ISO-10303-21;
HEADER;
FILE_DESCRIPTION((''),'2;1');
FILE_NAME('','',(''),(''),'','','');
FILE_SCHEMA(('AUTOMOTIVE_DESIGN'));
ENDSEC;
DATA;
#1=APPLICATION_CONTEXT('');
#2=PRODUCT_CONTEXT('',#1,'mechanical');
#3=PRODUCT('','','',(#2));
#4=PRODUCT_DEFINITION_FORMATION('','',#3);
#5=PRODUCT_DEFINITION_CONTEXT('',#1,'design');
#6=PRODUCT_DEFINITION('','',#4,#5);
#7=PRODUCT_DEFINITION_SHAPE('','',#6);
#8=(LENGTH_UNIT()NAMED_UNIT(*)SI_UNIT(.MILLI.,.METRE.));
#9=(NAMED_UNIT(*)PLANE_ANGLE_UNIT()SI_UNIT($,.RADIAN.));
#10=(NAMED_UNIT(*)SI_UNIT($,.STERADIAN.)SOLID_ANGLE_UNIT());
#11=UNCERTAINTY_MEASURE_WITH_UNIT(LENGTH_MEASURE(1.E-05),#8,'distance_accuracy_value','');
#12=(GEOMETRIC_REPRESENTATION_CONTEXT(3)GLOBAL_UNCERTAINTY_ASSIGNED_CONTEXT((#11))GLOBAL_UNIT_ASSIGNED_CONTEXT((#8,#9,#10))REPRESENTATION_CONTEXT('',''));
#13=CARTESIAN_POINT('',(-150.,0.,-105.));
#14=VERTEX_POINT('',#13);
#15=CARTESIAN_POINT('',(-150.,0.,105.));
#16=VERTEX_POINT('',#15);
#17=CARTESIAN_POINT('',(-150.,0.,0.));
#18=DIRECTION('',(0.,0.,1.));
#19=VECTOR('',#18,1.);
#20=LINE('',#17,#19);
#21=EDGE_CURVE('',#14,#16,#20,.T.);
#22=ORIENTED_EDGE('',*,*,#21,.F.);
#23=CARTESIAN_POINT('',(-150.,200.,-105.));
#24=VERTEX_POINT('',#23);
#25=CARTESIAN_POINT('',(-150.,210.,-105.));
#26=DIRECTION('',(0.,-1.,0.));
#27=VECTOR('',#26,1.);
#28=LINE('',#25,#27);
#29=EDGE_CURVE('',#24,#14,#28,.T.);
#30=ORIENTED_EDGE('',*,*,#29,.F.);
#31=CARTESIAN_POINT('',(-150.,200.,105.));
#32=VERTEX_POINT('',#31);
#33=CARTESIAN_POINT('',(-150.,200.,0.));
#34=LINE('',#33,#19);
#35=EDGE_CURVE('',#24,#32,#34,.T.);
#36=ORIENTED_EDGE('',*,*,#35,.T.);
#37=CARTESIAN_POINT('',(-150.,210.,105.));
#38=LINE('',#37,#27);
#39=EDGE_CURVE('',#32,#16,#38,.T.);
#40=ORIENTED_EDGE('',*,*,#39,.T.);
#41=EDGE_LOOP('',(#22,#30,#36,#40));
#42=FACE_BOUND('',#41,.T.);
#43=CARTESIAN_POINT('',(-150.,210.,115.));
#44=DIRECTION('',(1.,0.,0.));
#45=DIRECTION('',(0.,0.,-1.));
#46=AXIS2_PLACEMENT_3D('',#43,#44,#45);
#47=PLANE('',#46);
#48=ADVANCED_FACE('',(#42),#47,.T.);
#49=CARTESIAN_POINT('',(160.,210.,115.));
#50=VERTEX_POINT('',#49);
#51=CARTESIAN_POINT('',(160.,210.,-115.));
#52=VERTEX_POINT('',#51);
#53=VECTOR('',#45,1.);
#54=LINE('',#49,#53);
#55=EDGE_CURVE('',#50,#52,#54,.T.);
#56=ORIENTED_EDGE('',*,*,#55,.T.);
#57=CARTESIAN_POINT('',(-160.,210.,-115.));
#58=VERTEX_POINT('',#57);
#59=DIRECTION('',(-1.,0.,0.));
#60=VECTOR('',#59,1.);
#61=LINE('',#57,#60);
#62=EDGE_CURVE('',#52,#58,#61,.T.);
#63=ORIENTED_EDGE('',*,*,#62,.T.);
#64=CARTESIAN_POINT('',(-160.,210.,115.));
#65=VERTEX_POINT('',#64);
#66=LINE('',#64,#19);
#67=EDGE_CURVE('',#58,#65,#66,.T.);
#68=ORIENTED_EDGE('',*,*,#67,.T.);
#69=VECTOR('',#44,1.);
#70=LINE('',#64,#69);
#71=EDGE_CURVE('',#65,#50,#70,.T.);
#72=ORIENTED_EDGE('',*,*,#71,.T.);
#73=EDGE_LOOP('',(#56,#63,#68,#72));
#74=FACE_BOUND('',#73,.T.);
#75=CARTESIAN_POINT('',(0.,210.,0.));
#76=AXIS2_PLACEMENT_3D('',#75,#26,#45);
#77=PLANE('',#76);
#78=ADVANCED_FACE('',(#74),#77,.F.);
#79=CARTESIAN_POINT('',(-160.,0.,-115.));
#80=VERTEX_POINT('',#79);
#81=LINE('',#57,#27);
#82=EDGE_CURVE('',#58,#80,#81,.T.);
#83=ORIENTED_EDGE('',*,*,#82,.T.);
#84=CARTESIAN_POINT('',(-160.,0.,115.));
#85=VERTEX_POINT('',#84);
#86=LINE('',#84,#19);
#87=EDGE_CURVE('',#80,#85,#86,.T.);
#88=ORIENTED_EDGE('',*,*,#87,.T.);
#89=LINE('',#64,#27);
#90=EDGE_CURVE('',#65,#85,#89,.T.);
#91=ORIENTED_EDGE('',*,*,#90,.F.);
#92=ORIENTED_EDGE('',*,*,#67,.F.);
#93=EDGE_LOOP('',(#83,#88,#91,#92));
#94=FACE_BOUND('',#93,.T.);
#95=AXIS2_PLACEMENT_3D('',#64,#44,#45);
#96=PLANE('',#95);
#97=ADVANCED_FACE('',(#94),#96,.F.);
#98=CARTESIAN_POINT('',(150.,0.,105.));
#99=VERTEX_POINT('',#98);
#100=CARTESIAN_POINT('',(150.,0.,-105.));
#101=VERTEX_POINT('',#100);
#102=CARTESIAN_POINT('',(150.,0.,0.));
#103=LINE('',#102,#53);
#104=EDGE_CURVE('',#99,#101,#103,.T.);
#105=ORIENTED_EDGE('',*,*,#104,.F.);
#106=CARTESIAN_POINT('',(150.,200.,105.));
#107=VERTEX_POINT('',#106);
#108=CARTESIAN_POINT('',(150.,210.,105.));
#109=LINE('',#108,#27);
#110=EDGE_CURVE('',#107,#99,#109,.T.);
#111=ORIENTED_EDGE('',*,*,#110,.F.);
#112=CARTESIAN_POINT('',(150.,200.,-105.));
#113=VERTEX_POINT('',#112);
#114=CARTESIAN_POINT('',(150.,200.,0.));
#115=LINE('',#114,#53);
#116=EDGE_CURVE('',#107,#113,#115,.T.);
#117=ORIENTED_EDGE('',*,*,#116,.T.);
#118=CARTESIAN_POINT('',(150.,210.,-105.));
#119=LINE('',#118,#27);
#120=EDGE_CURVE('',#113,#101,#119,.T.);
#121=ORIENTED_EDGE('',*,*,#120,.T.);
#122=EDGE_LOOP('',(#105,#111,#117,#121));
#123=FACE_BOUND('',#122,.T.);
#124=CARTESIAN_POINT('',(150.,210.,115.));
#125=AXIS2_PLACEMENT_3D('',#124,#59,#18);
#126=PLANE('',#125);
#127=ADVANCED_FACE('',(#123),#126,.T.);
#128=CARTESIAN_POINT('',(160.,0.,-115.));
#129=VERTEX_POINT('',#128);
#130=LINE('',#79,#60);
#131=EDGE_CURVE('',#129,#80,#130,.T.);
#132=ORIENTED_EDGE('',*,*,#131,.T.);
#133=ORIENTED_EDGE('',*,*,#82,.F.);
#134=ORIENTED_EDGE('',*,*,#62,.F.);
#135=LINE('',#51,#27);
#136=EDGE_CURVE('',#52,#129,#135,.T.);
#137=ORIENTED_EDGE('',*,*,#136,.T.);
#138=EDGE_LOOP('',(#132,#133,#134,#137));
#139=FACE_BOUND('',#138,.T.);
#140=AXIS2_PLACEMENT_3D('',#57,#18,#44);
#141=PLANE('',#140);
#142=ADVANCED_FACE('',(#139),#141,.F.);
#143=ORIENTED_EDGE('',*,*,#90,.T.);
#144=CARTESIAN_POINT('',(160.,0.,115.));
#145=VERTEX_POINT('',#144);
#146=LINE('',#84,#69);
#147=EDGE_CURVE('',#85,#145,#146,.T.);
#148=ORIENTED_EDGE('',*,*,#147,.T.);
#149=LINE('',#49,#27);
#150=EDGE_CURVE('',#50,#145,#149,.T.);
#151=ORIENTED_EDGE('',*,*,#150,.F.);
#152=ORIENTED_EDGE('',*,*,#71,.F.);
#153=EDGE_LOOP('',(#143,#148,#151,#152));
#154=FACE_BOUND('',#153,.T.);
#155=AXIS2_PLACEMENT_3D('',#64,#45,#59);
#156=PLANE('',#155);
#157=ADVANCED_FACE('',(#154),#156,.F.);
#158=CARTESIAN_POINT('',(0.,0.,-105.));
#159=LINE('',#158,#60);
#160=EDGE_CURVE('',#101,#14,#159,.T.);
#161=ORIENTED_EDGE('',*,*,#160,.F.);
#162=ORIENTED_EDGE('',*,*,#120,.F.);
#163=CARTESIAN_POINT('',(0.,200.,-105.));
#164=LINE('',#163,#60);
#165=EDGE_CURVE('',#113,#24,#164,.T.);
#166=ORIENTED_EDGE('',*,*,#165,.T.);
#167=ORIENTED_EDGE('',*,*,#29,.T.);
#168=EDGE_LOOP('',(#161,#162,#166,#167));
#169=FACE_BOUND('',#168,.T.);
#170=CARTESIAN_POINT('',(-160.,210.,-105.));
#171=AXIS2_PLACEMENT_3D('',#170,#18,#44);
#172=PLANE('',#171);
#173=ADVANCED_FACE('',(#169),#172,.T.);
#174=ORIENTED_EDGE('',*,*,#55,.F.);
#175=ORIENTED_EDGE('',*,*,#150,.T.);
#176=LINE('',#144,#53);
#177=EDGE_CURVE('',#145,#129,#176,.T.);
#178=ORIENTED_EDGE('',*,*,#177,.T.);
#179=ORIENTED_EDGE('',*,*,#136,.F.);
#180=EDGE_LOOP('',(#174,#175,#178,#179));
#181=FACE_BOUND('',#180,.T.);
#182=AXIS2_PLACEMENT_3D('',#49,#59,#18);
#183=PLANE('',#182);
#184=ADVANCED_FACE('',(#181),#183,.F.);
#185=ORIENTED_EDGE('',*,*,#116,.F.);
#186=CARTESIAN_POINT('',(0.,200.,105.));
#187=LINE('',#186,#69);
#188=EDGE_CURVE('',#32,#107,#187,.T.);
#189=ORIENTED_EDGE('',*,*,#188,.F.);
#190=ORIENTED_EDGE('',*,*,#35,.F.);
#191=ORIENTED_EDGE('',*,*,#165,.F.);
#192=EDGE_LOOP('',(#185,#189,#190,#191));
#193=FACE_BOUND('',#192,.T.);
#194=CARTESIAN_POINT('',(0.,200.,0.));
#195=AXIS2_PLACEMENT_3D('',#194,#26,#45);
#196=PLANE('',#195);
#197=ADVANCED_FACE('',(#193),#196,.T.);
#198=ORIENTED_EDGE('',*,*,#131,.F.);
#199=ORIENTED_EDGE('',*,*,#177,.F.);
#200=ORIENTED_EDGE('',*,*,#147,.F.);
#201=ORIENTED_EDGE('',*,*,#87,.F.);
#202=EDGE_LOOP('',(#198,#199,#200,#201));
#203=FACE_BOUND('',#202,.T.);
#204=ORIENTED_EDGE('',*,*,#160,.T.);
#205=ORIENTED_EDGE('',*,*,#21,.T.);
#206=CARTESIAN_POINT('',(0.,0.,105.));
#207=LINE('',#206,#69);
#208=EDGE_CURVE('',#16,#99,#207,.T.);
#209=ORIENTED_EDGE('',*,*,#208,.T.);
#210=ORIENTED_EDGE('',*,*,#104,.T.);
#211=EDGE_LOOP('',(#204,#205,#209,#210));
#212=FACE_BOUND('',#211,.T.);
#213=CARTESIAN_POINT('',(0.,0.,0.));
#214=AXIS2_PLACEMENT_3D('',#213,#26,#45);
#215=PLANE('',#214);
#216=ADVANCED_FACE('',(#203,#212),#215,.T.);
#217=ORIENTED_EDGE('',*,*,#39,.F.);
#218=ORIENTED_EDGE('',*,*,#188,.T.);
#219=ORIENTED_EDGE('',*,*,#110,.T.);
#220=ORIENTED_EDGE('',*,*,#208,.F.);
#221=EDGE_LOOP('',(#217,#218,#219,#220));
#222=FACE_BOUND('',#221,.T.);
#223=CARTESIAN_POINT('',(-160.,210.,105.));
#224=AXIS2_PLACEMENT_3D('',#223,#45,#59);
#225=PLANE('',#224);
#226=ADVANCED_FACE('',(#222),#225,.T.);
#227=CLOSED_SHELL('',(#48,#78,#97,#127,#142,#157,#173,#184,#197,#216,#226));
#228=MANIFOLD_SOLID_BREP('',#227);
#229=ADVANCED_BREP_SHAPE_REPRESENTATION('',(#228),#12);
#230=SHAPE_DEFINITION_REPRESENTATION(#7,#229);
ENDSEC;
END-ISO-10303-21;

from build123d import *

# Parameters (mm, degrees)
SKETCH1_W           = 320
SKETCH1_H           = 230
BOSS_EXTRUDE1_DEPTH = 210
SHELL1_T            = -10


with BuildPart() as part:
    # Sketch1 → Boss-Extrude1 (new body)
    with BuildSketch(Plane(origin=(0, 0, 0), x_dir=(1, 0, 0), z_dir=(0, 1, 0))):
        Rectangle(SKETCH1_W, SKETCH1_H)
    extrude(amount=BOSS_EXTRUDE1_DEPTH)

    # Shell1
    shell1_openings = [part.faces().sort_by_distance(p)[0] for p in [
        (0, 0, 0),
    ]]
    offset(amount=SHELL1_T, openings=shell1_openings, kind=Kind.INTERSECTION)


solid = part.part
